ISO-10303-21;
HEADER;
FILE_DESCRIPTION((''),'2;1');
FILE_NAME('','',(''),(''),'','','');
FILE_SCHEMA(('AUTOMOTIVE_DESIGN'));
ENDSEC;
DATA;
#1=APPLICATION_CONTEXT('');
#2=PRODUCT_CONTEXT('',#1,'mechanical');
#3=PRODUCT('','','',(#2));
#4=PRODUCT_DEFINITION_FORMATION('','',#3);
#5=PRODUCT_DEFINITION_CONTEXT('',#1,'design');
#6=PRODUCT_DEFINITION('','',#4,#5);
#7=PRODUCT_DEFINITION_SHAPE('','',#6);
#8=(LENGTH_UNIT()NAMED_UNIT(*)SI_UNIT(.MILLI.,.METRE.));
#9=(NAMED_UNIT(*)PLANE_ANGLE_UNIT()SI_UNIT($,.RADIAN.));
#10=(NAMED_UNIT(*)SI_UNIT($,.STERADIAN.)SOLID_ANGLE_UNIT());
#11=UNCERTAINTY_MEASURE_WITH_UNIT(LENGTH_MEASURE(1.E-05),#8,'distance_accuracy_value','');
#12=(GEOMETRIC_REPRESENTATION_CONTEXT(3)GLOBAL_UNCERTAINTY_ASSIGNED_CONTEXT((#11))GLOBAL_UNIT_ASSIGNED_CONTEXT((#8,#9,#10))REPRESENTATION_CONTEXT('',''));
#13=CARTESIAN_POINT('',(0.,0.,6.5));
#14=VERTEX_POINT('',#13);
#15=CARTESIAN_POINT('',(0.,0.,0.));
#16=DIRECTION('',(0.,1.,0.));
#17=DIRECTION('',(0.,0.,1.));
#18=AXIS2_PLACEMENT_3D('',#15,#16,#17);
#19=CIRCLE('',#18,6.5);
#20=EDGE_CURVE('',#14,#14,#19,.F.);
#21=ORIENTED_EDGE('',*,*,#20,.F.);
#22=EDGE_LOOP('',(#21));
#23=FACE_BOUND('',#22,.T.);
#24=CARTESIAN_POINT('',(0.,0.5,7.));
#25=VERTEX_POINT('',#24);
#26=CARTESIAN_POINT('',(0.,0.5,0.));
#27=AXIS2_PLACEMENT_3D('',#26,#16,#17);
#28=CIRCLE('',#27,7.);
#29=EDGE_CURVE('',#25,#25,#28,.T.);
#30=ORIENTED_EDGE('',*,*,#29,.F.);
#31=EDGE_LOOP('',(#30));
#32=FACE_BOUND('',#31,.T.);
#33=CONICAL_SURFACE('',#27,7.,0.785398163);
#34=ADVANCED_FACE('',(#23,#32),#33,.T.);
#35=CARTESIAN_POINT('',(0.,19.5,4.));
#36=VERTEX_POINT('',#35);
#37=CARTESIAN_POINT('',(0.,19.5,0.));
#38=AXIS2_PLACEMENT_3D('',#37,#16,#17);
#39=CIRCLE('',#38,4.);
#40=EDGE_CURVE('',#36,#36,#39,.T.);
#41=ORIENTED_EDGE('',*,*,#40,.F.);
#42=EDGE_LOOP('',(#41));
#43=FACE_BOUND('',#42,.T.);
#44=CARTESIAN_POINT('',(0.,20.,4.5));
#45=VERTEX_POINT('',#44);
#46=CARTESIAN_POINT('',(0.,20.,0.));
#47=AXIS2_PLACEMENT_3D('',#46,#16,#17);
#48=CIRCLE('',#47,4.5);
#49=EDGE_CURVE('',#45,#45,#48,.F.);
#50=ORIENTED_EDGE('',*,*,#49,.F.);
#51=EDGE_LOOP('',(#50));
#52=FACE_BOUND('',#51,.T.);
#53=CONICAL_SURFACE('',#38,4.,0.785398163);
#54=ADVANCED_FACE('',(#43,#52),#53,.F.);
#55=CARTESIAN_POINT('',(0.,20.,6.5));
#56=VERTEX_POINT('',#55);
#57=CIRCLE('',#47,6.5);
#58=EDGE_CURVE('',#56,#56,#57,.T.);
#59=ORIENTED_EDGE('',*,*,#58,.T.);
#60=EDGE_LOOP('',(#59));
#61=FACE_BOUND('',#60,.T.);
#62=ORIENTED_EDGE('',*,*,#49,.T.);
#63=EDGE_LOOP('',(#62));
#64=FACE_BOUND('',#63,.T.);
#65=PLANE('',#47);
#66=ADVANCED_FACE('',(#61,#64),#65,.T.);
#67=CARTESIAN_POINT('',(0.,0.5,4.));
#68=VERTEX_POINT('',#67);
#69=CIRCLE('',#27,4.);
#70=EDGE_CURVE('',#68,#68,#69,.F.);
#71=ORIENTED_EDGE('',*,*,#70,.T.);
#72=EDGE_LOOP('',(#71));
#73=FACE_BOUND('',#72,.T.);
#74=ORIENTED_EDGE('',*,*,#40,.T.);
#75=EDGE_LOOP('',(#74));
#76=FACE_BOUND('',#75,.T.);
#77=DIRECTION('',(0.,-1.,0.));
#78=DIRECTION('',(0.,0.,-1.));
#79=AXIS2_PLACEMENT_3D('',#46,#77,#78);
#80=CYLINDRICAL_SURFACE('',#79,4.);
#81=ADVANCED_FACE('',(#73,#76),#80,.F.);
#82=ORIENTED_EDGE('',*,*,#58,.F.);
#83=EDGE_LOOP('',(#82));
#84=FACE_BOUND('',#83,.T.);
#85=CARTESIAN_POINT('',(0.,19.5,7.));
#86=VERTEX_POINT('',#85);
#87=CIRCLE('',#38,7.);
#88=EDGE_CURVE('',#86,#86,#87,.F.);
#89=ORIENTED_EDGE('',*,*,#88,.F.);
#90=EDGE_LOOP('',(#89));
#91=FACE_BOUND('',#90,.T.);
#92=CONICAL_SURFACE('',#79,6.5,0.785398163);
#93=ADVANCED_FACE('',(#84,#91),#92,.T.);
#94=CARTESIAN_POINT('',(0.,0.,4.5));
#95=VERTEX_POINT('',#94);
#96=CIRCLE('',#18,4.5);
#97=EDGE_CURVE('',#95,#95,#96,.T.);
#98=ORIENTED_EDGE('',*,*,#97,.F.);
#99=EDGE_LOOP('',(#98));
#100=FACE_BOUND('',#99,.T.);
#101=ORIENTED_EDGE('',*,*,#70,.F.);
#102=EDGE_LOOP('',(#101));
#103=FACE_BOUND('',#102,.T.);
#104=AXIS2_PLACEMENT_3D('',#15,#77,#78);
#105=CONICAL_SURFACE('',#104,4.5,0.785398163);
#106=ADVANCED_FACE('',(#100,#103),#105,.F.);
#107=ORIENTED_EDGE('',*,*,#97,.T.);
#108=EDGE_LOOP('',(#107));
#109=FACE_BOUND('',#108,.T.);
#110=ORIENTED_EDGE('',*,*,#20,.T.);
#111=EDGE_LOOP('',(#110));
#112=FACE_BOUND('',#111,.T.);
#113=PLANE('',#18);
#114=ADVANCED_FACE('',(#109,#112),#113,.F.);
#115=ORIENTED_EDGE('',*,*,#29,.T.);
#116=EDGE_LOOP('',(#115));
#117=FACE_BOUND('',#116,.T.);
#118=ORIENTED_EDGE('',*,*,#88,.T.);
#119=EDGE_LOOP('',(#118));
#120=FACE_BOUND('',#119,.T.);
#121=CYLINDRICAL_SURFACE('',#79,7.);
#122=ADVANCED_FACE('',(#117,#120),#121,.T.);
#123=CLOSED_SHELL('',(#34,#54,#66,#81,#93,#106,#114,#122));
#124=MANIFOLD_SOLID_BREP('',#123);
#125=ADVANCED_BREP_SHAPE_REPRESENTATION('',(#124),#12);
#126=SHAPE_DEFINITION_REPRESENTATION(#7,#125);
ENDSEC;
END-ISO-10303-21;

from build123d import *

# Parameters (mm, degrees)
CROQUIS1_R              = 7
CROQUIS1_R_2            = 4
SALIENTE_EXTRUIR1_DEPTH = 20
CHAFL_N1_SIZE           = 0.5


with BuildPart() as part:
    # Croquis1 → Saliente-Extruir1 (new body)
    with BuildSketch(Plane(origin=(0, 0, 0), x_dir=(1, 0, 0), z_dir=(0, 1, 0))):
        Circle(CROQUIS1_R)
        Circle(CROQUIS1_R_2, mode=Mode.SUBTRACT)
    extrude(amount=SALIENTE_EXTRUIR1_DEPTH)

    # Chaflán1
    chafl_n1_edges = [part.edges().sort_by_distance(p)[0] for p in [
        (-7, 0, 0),
        (-7, 20, 0),
        (-4, 0, 0),
        (-4, 20, 0),
    ]]
    chamfer(chafl_n1_edges, length=CHAFL_N1_SIZE)


solid = part.part
